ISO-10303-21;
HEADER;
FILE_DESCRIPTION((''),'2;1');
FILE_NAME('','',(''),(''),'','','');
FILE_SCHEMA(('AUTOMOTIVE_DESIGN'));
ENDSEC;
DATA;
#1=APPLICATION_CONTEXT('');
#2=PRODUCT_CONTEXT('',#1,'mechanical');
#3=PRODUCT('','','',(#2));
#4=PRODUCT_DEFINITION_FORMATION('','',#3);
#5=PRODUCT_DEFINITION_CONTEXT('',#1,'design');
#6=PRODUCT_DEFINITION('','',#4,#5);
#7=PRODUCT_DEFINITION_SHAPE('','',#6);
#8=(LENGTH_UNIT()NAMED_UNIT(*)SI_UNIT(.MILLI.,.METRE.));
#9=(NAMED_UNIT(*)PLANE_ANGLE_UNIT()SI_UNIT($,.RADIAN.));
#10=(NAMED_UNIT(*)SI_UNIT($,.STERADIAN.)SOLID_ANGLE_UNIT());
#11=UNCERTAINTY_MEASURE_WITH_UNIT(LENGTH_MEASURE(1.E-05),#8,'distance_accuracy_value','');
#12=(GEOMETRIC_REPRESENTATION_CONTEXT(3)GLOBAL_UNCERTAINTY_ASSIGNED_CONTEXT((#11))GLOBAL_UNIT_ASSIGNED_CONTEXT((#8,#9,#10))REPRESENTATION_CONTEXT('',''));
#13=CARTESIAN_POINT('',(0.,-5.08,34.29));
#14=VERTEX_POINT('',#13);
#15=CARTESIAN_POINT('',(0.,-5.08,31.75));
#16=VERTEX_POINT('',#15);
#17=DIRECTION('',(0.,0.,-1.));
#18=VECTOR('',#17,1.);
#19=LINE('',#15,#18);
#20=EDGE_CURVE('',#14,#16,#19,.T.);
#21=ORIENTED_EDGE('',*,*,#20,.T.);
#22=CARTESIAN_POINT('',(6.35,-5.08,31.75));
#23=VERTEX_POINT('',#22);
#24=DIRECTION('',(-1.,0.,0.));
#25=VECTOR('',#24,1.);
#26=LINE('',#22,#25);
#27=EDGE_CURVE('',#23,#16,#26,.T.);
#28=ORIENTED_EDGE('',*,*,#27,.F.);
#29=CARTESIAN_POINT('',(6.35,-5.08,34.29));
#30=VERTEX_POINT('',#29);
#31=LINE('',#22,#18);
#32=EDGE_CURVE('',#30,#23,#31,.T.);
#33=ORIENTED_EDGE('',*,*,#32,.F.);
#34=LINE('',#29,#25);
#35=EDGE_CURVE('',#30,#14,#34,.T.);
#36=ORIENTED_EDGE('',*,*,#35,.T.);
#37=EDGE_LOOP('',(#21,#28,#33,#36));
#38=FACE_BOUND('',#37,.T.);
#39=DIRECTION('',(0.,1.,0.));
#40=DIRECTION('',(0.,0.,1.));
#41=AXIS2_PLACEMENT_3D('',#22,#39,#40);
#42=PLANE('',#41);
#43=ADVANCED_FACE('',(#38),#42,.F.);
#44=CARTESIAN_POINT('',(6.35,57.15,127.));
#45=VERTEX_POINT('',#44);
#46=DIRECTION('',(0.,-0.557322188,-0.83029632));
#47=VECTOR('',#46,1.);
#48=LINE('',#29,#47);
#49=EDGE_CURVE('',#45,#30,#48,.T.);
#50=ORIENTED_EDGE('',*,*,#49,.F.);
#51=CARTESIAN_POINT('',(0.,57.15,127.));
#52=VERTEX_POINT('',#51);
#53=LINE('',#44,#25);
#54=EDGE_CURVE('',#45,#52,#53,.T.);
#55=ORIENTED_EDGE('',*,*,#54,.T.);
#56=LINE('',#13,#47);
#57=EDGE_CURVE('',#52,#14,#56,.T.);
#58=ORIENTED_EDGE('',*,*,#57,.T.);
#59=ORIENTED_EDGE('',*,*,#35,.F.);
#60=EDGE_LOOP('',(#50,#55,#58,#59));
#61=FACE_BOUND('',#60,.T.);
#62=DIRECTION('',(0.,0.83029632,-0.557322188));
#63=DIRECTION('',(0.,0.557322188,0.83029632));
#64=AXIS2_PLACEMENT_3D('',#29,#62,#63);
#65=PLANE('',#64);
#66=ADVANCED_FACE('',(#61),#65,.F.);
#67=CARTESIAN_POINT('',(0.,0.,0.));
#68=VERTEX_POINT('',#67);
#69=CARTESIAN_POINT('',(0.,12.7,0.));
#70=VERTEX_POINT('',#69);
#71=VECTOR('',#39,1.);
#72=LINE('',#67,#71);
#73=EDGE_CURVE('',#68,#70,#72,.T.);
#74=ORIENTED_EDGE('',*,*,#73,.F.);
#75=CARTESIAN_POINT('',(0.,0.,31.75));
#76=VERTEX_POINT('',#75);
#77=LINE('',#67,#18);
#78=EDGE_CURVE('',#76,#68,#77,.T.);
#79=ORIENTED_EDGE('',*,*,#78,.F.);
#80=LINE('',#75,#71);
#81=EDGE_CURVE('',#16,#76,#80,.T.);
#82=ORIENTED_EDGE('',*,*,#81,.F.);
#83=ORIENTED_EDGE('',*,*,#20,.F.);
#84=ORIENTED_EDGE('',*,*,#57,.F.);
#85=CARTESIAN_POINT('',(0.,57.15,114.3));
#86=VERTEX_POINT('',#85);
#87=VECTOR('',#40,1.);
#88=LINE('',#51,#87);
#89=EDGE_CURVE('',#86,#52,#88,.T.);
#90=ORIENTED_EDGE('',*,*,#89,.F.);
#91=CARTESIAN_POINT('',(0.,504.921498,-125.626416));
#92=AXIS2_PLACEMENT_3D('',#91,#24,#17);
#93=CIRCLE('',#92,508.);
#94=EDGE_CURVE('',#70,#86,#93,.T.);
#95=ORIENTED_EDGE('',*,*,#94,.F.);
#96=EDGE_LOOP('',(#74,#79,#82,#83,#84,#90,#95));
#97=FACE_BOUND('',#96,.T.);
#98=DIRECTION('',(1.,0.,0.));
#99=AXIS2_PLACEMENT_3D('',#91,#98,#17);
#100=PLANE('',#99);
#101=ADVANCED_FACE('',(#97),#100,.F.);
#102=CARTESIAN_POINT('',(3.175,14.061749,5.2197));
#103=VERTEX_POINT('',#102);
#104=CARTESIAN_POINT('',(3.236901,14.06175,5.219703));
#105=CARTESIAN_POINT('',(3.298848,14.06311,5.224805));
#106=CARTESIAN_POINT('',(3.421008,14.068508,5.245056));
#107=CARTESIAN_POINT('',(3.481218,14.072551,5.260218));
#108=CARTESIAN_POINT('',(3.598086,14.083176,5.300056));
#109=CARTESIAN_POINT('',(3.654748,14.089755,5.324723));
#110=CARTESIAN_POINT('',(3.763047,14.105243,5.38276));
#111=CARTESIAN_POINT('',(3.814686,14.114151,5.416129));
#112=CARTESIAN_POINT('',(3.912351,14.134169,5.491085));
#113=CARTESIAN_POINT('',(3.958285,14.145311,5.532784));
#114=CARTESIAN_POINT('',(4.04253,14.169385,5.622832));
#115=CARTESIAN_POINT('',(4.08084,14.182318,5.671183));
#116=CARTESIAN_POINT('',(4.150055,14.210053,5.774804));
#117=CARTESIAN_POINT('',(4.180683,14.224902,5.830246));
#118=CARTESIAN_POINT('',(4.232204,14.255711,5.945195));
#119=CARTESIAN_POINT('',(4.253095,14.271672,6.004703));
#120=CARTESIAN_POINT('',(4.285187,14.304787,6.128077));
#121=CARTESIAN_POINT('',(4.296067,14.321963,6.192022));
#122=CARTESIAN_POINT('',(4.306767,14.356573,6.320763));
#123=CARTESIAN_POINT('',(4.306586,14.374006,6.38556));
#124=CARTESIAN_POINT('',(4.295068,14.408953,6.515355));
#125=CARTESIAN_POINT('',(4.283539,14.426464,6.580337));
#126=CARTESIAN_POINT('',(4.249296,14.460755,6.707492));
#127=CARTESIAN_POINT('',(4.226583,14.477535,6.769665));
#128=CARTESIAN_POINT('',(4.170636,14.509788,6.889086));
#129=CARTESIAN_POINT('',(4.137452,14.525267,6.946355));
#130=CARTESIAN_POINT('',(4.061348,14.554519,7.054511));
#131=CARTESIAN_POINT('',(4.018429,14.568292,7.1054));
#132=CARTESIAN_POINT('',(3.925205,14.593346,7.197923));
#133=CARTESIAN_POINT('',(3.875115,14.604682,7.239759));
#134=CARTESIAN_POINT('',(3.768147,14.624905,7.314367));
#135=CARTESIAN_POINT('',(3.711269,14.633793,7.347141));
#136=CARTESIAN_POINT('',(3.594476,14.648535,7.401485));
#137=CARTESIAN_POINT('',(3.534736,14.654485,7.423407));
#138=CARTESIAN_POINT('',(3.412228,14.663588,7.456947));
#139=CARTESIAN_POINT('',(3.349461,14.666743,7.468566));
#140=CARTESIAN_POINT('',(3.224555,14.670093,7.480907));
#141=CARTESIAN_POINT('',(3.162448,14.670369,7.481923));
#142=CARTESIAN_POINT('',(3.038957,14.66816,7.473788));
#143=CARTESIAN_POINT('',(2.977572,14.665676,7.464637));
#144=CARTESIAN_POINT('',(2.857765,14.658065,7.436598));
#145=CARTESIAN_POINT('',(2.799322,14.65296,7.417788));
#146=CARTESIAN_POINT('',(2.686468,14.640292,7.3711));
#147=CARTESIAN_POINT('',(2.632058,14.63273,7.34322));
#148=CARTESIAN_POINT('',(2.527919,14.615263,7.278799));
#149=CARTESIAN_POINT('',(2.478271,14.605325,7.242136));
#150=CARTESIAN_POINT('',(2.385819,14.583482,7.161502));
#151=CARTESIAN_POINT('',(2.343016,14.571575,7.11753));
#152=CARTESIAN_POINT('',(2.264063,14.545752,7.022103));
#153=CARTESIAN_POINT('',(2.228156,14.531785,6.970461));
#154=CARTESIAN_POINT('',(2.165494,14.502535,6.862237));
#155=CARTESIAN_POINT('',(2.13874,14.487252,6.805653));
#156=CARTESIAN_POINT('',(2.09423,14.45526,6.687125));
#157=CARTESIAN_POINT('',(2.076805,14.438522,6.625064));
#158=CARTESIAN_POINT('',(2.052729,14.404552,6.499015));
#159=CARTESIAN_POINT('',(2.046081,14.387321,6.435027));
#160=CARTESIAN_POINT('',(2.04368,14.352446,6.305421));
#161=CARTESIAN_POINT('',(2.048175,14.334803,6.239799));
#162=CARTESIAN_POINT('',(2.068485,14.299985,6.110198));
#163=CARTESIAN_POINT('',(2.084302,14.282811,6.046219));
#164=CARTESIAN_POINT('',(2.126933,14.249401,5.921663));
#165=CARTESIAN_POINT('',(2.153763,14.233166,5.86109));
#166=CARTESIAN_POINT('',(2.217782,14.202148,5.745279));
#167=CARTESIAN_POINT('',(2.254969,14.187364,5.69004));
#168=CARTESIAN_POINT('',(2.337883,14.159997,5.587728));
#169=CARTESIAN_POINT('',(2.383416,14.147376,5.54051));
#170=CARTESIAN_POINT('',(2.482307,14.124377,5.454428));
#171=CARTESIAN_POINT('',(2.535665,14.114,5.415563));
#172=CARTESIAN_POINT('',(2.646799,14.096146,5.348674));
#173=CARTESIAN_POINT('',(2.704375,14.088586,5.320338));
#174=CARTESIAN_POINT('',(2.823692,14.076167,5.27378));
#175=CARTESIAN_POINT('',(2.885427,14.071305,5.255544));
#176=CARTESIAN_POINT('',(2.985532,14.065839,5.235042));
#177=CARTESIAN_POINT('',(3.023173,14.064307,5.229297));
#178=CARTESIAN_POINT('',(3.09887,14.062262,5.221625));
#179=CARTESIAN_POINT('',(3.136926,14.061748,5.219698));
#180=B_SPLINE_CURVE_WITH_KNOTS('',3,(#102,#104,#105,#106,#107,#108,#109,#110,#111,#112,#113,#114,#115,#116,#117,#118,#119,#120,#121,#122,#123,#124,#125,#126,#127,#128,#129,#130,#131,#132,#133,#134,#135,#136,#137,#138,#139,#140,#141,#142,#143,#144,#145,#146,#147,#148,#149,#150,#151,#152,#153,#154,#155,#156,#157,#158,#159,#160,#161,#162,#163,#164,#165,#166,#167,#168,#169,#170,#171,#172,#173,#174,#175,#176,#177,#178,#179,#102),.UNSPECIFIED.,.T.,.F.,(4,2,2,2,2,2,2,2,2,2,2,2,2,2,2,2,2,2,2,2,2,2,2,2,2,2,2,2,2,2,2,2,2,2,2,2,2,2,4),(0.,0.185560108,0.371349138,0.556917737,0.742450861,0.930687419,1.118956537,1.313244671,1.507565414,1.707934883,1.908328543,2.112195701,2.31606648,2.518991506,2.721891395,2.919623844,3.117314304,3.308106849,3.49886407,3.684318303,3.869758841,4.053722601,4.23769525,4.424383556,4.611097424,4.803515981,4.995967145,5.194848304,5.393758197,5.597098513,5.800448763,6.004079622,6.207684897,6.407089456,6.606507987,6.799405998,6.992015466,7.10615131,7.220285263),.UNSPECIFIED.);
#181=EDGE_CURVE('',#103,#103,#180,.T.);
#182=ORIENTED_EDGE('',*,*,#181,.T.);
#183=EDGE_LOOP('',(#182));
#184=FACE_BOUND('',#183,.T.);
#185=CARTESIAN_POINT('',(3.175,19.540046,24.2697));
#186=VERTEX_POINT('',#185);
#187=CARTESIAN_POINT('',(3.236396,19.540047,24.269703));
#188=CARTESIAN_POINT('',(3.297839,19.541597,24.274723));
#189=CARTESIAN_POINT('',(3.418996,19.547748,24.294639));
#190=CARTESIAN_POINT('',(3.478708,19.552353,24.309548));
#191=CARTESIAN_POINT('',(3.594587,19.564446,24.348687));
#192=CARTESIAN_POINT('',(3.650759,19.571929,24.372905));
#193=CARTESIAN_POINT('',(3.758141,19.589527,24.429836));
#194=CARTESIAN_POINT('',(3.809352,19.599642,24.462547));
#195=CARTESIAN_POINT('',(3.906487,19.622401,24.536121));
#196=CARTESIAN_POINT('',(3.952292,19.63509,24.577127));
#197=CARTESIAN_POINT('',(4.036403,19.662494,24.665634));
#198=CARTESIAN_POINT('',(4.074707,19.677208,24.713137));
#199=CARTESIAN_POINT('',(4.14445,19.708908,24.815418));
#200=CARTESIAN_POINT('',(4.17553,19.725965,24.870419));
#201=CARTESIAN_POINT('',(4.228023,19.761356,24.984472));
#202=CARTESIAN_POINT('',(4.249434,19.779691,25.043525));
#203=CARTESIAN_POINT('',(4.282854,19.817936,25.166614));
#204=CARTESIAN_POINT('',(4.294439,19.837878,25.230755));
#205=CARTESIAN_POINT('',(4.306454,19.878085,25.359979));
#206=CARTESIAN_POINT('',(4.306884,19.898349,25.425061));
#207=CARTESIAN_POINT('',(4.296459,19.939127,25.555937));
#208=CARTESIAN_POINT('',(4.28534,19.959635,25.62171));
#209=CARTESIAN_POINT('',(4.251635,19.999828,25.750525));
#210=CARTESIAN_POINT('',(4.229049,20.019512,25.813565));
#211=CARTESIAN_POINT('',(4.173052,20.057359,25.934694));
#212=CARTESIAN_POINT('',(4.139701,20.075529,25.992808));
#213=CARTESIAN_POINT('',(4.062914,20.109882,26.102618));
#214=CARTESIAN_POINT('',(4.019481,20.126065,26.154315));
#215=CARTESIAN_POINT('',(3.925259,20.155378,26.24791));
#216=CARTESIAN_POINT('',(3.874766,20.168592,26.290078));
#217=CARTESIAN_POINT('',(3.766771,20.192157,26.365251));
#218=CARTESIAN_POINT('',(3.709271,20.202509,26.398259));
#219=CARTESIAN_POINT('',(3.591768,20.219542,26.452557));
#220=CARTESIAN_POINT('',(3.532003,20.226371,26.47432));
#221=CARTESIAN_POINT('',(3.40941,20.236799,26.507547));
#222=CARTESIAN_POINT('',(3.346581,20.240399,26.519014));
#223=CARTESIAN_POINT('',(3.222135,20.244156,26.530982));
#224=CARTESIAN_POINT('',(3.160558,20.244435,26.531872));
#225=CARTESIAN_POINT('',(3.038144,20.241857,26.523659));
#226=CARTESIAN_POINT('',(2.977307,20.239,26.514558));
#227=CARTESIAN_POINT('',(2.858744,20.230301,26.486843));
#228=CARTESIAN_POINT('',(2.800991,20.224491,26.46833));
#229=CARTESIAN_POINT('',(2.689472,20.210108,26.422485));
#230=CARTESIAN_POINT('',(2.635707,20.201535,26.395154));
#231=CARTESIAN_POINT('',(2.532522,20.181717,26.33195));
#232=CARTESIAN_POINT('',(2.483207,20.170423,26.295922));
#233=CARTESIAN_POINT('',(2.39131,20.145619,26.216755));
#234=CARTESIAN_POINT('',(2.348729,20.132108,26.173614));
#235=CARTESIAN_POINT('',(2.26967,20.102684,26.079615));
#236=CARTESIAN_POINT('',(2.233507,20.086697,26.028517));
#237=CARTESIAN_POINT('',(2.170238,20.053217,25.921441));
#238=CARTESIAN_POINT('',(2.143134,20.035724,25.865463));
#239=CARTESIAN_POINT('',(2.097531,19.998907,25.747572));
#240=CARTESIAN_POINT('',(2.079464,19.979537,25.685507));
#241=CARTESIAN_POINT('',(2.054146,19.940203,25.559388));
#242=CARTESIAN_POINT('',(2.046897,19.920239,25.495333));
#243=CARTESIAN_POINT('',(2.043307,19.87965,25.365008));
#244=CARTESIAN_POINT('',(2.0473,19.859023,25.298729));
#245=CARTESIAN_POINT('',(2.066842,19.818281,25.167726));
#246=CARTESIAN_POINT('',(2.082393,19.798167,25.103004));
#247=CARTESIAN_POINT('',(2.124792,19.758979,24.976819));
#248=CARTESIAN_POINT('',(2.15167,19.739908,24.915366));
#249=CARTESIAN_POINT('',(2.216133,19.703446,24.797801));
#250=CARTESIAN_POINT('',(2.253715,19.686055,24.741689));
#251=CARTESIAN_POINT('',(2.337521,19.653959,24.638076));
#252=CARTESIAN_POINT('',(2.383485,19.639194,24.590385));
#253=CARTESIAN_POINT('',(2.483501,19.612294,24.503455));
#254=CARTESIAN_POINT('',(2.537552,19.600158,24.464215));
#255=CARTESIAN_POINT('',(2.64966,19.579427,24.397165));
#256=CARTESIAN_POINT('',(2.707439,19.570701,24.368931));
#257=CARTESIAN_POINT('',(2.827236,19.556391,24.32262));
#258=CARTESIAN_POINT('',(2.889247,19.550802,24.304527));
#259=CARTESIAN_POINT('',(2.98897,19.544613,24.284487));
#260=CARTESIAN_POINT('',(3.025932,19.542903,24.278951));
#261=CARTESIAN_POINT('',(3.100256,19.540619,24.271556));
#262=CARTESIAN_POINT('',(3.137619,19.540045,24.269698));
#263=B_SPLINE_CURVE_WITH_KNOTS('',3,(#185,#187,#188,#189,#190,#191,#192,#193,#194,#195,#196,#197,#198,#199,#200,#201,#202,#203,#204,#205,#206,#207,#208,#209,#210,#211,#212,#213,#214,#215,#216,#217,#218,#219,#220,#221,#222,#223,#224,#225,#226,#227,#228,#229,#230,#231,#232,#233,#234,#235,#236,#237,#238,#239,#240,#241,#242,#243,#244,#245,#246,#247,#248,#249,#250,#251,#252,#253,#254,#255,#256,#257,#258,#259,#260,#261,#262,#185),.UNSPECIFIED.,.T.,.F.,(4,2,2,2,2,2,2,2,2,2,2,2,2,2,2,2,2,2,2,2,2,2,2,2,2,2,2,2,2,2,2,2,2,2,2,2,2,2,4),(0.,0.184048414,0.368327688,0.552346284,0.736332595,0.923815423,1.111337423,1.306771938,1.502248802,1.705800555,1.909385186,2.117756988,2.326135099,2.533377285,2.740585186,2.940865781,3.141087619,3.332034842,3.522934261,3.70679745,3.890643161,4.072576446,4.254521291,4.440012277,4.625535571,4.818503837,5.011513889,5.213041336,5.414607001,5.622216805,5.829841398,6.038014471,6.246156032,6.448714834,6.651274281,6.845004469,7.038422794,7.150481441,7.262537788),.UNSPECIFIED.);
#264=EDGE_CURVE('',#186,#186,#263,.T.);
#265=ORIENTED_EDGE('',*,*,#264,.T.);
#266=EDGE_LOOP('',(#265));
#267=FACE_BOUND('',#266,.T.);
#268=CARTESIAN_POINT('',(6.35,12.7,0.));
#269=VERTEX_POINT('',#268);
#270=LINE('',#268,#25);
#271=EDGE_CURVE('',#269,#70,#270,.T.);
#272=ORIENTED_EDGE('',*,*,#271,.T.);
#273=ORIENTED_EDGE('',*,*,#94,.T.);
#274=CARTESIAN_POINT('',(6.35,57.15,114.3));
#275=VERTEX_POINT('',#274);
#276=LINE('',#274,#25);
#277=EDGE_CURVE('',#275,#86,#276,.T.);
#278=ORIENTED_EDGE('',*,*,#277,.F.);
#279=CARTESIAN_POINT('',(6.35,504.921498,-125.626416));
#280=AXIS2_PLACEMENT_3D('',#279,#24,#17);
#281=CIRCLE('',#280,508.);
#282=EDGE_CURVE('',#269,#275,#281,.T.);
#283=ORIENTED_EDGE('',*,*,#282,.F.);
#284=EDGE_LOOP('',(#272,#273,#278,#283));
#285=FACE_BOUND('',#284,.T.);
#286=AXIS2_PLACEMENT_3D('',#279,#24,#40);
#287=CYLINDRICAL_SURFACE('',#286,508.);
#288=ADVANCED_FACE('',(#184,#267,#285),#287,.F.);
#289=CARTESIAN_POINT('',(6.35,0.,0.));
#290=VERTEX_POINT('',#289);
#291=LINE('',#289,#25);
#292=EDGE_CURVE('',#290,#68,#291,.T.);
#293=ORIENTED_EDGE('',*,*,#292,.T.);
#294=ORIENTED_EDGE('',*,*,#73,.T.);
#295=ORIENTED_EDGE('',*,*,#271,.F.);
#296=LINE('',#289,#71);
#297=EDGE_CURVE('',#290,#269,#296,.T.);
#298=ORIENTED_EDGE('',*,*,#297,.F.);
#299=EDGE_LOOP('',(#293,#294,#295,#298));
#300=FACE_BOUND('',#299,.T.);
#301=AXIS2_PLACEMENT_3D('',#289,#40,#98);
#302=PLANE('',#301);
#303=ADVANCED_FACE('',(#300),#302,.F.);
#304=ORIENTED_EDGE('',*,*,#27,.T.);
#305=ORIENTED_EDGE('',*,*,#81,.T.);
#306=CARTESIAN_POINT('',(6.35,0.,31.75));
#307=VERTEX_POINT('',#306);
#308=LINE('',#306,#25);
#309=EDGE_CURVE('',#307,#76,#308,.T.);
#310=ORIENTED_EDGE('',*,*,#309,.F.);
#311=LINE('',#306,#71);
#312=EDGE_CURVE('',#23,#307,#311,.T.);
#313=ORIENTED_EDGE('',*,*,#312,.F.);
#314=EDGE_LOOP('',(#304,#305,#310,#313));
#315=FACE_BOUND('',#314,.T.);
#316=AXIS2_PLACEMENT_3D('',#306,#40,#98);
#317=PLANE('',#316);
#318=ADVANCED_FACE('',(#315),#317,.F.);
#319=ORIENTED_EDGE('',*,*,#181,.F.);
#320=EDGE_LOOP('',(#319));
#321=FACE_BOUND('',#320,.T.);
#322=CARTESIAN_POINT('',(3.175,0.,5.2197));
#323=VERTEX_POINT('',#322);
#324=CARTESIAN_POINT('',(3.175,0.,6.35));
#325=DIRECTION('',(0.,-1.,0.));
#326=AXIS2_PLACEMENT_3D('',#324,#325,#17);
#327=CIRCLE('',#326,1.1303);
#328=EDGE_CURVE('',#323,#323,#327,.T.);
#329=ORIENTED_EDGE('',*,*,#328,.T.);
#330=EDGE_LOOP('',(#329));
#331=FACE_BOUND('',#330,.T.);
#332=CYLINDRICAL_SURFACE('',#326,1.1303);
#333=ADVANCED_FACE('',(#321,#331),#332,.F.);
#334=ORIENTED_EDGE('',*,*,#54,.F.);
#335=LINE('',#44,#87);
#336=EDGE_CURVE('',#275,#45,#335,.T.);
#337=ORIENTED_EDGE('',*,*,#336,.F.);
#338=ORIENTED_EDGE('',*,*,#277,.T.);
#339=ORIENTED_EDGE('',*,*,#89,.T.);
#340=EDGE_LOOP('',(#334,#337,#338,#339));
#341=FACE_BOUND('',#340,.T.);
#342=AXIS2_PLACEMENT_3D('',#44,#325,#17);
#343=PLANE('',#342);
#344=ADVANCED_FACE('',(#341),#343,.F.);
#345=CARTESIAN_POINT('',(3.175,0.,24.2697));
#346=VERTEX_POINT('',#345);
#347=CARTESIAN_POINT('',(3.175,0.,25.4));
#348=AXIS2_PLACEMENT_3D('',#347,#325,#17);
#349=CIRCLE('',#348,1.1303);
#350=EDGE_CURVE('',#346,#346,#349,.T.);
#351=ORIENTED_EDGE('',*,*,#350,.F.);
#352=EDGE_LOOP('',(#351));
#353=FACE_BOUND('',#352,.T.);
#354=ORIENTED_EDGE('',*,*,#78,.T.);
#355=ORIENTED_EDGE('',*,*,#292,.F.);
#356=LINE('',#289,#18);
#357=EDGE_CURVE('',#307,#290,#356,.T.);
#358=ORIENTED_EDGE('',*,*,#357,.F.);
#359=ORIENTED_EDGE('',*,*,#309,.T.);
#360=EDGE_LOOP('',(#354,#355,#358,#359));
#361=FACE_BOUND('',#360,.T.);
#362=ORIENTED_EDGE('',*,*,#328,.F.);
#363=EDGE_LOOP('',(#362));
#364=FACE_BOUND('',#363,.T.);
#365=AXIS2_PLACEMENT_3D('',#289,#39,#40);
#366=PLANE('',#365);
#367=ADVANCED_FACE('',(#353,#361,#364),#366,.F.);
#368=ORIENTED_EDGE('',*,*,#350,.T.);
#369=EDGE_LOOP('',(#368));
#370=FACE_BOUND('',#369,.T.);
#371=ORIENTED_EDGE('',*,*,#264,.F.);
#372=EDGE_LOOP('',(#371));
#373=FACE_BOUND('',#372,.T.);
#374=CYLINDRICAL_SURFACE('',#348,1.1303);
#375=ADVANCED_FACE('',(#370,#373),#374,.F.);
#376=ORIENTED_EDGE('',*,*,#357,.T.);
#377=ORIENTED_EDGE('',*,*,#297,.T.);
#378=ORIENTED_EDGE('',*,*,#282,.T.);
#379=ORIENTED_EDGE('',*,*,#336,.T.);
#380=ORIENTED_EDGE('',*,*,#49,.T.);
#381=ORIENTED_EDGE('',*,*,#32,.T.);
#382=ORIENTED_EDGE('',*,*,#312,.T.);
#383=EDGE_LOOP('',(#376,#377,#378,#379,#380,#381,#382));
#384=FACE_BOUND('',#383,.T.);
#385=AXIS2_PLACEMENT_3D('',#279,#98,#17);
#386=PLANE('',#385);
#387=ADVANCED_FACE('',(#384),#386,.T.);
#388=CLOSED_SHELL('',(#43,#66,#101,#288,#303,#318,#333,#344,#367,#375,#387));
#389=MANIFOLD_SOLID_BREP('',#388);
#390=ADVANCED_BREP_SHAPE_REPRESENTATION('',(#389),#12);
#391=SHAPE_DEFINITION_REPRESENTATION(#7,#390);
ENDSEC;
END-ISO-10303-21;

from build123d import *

# Parameters (mm, degrees)
BOSS_EXTRUDE1_DEPTH   = 6.35
F_4_40_TAPPED_HOLE1_D = 2.2606


with BuildPart() as part:
    # Sketch1 → Boss-Extrude1 (new body)
    with BuildSketch(Plane(origin=(0, 0, 0), x_dir=(0, 0, -1), z_dir=(1, 0, 0))):
        with BuildLine():
            Line((0, 0), (0, 12.7))
            ThreePointArc((0, 12.7), (-58.496284585, 31.463125354), (-114.3, 57.15))
            Line((-114.3, 57.15), (-127, 57.15))
            Line((-127, 57.15), (-34.29, -5.08))
            Line((-34.29, -5.08), (-31.75, -5.08))
            Line((-31.75, -5.08), (-31.75, 0))
            Line((-31.75, 0), (0, 0))
        make_face()
    extrude(amount=BOSS_EXTRUDE1_DEPTH)

    # #4-40 Tapped Hole1 (through all)
    with Locations(Plane(origin=(0, 0, 0), x_dir=(-1, 0, 0), z_dir=(0, -1, 0))):
        with Locations((-3.175, -25.4), (-3.175, -6.35)):
            Hole(F_4_40_TAPPED_HOLE1_D / 2)


solid = part.part
